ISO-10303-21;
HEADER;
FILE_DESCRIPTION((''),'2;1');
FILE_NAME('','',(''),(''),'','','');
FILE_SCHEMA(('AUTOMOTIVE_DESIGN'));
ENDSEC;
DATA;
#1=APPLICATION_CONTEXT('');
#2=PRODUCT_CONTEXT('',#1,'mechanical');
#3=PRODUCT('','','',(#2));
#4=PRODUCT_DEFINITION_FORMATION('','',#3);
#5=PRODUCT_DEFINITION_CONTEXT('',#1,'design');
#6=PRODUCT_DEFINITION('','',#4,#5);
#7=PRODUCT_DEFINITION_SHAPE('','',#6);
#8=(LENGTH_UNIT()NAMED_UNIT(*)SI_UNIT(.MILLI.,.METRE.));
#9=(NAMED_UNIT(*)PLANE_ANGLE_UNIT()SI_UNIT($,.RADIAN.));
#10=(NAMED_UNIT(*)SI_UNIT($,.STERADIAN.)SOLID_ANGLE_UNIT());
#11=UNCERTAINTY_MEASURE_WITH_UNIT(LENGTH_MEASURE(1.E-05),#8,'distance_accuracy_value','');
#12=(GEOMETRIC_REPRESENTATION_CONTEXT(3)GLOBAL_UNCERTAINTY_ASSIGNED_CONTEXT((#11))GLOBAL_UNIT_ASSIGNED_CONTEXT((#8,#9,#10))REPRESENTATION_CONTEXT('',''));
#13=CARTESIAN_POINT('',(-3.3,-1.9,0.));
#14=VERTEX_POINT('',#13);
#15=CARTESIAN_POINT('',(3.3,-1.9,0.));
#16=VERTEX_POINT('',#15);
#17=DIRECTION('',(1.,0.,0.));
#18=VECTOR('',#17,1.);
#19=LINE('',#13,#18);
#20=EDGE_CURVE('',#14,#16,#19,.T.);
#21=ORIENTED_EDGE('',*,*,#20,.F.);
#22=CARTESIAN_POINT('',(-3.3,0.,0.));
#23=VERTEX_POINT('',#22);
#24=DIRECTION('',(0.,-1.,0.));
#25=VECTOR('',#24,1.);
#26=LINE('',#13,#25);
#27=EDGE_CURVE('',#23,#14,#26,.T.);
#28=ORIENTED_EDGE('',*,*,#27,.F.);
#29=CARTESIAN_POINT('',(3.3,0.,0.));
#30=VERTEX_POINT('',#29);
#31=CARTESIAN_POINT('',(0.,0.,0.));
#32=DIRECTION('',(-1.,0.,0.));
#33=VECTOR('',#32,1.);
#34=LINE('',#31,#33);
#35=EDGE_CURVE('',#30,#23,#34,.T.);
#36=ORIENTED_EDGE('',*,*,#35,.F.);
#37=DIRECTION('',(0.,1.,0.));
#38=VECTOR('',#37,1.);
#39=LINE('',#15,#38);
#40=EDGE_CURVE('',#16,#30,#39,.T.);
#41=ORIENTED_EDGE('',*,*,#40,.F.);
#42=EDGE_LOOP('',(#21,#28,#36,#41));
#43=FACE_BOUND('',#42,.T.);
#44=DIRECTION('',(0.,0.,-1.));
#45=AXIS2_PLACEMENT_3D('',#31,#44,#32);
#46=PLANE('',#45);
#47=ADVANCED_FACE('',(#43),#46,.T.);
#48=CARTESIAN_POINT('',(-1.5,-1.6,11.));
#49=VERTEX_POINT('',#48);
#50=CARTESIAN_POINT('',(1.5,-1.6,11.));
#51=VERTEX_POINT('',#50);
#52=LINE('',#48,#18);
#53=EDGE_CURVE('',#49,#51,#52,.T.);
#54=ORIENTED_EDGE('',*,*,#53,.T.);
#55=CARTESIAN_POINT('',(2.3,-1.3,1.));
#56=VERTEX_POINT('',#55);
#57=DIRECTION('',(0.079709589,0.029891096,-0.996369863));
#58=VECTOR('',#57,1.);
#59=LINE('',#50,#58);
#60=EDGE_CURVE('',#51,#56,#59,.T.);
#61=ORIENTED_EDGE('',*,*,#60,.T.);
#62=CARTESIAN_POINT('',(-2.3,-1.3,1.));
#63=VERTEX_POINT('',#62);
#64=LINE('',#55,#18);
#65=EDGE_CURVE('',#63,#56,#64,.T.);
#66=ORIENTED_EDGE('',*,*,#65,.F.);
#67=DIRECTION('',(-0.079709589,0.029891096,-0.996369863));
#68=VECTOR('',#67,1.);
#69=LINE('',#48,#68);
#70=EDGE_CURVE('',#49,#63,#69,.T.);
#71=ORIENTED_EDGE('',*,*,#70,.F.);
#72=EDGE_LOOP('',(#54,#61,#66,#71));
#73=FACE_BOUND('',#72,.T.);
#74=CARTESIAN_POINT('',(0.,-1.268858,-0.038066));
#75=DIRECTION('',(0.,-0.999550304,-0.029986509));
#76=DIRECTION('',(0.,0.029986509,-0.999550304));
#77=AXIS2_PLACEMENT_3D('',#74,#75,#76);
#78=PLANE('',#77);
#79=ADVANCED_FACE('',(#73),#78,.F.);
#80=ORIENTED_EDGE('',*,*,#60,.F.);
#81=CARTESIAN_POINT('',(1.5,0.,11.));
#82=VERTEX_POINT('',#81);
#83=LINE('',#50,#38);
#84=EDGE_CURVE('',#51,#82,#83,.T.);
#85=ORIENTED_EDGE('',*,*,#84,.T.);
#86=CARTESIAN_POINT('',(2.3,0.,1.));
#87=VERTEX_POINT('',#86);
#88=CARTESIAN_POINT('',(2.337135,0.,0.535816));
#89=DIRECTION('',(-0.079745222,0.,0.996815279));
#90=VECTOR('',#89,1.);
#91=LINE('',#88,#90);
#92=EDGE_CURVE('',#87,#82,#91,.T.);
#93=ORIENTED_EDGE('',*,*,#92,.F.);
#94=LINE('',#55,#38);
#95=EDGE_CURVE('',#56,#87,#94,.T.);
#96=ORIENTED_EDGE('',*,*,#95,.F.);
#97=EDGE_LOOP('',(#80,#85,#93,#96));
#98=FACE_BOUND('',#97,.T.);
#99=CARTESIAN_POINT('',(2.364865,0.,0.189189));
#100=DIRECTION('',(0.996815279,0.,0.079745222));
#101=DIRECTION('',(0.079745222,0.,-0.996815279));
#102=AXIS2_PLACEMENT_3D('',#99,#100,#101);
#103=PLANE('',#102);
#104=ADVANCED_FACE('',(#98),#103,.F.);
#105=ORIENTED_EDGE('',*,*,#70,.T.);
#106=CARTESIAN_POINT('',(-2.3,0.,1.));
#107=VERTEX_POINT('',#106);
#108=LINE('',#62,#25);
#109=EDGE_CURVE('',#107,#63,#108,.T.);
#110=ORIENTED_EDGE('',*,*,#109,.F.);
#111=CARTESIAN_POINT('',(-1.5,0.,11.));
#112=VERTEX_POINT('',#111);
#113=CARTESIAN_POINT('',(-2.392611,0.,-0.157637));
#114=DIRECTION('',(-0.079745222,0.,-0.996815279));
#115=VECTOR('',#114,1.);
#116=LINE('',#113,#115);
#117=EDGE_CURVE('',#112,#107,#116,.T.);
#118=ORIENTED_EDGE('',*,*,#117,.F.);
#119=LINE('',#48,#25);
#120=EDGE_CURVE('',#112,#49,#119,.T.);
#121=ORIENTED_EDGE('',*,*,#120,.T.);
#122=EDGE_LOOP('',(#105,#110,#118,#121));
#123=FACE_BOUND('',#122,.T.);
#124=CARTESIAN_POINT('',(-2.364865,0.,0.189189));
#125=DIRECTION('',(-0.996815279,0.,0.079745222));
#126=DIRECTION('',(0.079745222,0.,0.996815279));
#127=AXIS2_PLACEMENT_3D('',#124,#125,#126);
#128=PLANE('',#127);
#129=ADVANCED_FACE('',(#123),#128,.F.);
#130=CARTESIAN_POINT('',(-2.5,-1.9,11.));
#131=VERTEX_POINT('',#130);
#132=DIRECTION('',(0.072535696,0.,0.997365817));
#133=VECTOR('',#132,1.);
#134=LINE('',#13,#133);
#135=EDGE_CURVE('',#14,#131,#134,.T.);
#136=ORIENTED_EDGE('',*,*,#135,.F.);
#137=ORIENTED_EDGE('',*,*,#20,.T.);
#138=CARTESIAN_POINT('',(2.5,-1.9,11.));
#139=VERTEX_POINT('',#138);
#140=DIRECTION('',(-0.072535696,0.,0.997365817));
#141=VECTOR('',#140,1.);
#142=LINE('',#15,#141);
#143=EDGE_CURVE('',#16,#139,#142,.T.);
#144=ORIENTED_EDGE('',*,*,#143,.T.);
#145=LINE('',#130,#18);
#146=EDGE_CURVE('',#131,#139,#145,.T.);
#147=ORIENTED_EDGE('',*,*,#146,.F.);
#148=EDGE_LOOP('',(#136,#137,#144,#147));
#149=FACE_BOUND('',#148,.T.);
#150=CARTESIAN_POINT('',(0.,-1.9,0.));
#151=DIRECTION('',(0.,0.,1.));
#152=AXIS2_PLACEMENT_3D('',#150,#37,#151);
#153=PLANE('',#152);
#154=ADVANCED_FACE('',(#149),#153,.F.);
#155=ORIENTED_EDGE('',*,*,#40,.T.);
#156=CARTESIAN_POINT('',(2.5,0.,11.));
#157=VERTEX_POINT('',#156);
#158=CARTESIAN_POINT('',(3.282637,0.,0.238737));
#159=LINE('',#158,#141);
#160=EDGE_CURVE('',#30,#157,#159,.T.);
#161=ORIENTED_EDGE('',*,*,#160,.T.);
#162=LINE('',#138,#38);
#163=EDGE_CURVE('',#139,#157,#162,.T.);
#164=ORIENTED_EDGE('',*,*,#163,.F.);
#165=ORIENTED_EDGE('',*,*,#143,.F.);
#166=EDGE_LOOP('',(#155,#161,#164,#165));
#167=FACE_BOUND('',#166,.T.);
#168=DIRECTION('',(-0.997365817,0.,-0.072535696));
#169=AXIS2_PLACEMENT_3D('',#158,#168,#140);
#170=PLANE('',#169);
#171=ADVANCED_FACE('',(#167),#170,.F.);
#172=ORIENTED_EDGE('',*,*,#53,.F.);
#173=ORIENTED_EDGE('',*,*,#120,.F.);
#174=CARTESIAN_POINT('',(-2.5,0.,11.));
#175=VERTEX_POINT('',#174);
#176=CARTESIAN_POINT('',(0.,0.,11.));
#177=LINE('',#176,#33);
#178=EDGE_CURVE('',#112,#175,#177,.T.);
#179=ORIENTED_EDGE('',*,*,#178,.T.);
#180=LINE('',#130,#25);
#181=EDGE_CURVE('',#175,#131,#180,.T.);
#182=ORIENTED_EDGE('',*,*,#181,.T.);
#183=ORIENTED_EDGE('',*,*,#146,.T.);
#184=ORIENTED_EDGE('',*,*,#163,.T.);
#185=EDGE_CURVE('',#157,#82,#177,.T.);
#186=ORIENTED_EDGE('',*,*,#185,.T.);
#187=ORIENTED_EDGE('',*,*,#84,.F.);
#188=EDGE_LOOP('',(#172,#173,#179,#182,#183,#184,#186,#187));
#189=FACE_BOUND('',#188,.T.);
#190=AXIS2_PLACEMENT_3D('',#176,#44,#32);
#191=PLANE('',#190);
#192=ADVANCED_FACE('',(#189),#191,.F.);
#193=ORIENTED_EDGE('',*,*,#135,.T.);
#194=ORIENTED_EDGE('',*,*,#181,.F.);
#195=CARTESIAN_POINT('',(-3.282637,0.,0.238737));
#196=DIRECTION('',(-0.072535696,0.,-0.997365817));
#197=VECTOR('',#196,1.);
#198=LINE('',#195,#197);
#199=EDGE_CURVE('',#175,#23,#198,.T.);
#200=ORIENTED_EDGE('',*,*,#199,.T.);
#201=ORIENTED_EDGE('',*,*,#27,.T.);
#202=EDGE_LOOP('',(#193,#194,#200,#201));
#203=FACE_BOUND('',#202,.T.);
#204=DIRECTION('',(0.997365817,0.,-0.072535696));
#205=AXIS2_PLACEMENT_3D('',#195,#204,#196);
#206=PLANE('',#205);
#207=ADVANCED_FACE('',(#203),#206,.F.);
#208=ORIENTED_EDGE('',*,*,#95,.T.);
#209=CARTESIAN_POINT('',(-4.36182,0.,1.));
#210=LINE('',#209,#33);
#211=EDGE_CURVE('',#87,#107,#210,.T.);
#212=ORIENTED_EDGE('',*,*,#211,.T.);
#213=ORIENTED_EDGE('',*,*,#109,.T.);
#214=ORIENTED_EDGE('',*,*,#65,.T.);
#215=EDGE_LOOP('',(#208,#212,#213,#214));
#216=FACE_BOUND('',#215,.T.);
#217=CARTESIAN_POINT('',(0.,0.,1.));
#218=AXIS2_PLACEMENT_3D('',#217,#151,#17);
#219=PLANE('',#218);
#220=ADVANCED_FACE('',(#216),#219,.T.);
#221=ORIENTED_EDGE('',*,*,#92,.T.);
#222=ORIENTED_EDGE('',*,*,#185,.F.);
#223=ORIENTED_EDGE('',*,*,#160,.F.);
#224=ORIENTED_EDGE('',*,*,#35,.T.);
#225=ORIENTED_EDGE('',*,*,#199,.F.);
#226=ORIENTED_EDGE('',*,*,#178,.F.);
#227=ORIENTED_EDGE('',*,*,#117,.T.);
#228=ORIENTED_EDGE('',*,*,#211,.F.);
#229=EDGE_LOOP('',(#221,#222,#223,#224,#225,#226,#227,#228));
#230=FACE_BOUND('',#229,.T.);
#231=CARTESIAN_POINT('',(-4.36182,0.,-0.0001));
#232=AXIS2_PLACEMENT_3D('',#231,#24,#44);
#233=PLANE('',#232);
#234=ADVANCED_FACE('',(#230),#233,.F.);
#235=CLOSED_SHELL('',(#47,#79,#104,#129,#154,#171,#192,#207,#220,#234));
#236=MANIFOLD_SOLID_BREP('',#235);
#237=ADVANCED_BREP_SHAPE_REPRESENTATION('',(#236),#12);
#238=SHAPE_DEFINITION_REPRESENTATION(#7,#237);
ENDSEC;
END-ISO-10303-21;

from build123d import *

# Parameters (mm, degrees)
CORTE_MEIO_DEPTH      = 12.640446866
CORTE_MEIO_DEPTH_BACK = 12.640446866
ESBO_O3_W             = 10.701271156
ESBO_O3_H             = 3.779396545


with BuildPart() as part:
    # Esboço1 → Loft1 section 0
    with BuildSketch(Plane.XY):
        with BuildLine():
            Line((-3.3, -1.9), (3.3, -1.9))
            Line((3.3, -1.9), (3.3, 1.9))
            Line((3.3, 1.9), (-3.3, 1.9))
            Line((-3.3, 1.9), (-3.3, -1.9))
        make_face()
    # Esboço2 → Loft1 section 1
    with BuildSketch(Plane.XY.offset(11)):
        with BuildLine():
            Line((-2.5, -1.9), (2.5, -1.9))
            Line((2.5, -1.9), (2.5, 1.9))
            Line((2.5, 1.9), (-2.5, 1.9))
            Line((-2.5, 1.9), (-2.5, -1.9))
        make_face()
    loft()

    # Esboço3 → Corte Meio (cut, two sides: drawn at the far end of the back side and taken through both)
    with BuildSketch(Plane.XY.offset(-CORTE_MEIO_DEPTH_BACK)):
        with Locations((0.988815263, 1.889698273)):
            Rectangle(ESBO_O3_W, ESBO_O3_H)
    extrude(amount=CORTE_MEIO_DEPTH + CORTE_MEIO_DEPTH_BACK, mode=Mode.SUBTRACT)

    # Esboço6 → Loft de corte1 section 0
    with BuildSketch(Plane.XY.offset(11)):
        with BuildLine():
            Line((-1.5, -1.6), (1.5, -1.6))
            Line((1.5, -1.6), (1.5, 1.6))
            Line((1.5, 1.6), (-1.5, 1.6))
            Line((-1.5, 1.6), (-1.5, -1.6))
        make_face()
    # Esboço5 → Loft de corte1 section 1
    with BuildSketch(Plane.XY.offset(1)):
        with BuildLine():
            Line((2.3, -1.3), (-2.3, -1.3))
            Line((-2.3, -1.3), (-2.3, 1.3))
            Line((-2.3, 1.3), (2.3, 1.3))
            Line((2.3, 1.3), (2.3, -1.3))
        make_face()
    loft(mode=Mode.SUBTRACT)


solid = part.part
